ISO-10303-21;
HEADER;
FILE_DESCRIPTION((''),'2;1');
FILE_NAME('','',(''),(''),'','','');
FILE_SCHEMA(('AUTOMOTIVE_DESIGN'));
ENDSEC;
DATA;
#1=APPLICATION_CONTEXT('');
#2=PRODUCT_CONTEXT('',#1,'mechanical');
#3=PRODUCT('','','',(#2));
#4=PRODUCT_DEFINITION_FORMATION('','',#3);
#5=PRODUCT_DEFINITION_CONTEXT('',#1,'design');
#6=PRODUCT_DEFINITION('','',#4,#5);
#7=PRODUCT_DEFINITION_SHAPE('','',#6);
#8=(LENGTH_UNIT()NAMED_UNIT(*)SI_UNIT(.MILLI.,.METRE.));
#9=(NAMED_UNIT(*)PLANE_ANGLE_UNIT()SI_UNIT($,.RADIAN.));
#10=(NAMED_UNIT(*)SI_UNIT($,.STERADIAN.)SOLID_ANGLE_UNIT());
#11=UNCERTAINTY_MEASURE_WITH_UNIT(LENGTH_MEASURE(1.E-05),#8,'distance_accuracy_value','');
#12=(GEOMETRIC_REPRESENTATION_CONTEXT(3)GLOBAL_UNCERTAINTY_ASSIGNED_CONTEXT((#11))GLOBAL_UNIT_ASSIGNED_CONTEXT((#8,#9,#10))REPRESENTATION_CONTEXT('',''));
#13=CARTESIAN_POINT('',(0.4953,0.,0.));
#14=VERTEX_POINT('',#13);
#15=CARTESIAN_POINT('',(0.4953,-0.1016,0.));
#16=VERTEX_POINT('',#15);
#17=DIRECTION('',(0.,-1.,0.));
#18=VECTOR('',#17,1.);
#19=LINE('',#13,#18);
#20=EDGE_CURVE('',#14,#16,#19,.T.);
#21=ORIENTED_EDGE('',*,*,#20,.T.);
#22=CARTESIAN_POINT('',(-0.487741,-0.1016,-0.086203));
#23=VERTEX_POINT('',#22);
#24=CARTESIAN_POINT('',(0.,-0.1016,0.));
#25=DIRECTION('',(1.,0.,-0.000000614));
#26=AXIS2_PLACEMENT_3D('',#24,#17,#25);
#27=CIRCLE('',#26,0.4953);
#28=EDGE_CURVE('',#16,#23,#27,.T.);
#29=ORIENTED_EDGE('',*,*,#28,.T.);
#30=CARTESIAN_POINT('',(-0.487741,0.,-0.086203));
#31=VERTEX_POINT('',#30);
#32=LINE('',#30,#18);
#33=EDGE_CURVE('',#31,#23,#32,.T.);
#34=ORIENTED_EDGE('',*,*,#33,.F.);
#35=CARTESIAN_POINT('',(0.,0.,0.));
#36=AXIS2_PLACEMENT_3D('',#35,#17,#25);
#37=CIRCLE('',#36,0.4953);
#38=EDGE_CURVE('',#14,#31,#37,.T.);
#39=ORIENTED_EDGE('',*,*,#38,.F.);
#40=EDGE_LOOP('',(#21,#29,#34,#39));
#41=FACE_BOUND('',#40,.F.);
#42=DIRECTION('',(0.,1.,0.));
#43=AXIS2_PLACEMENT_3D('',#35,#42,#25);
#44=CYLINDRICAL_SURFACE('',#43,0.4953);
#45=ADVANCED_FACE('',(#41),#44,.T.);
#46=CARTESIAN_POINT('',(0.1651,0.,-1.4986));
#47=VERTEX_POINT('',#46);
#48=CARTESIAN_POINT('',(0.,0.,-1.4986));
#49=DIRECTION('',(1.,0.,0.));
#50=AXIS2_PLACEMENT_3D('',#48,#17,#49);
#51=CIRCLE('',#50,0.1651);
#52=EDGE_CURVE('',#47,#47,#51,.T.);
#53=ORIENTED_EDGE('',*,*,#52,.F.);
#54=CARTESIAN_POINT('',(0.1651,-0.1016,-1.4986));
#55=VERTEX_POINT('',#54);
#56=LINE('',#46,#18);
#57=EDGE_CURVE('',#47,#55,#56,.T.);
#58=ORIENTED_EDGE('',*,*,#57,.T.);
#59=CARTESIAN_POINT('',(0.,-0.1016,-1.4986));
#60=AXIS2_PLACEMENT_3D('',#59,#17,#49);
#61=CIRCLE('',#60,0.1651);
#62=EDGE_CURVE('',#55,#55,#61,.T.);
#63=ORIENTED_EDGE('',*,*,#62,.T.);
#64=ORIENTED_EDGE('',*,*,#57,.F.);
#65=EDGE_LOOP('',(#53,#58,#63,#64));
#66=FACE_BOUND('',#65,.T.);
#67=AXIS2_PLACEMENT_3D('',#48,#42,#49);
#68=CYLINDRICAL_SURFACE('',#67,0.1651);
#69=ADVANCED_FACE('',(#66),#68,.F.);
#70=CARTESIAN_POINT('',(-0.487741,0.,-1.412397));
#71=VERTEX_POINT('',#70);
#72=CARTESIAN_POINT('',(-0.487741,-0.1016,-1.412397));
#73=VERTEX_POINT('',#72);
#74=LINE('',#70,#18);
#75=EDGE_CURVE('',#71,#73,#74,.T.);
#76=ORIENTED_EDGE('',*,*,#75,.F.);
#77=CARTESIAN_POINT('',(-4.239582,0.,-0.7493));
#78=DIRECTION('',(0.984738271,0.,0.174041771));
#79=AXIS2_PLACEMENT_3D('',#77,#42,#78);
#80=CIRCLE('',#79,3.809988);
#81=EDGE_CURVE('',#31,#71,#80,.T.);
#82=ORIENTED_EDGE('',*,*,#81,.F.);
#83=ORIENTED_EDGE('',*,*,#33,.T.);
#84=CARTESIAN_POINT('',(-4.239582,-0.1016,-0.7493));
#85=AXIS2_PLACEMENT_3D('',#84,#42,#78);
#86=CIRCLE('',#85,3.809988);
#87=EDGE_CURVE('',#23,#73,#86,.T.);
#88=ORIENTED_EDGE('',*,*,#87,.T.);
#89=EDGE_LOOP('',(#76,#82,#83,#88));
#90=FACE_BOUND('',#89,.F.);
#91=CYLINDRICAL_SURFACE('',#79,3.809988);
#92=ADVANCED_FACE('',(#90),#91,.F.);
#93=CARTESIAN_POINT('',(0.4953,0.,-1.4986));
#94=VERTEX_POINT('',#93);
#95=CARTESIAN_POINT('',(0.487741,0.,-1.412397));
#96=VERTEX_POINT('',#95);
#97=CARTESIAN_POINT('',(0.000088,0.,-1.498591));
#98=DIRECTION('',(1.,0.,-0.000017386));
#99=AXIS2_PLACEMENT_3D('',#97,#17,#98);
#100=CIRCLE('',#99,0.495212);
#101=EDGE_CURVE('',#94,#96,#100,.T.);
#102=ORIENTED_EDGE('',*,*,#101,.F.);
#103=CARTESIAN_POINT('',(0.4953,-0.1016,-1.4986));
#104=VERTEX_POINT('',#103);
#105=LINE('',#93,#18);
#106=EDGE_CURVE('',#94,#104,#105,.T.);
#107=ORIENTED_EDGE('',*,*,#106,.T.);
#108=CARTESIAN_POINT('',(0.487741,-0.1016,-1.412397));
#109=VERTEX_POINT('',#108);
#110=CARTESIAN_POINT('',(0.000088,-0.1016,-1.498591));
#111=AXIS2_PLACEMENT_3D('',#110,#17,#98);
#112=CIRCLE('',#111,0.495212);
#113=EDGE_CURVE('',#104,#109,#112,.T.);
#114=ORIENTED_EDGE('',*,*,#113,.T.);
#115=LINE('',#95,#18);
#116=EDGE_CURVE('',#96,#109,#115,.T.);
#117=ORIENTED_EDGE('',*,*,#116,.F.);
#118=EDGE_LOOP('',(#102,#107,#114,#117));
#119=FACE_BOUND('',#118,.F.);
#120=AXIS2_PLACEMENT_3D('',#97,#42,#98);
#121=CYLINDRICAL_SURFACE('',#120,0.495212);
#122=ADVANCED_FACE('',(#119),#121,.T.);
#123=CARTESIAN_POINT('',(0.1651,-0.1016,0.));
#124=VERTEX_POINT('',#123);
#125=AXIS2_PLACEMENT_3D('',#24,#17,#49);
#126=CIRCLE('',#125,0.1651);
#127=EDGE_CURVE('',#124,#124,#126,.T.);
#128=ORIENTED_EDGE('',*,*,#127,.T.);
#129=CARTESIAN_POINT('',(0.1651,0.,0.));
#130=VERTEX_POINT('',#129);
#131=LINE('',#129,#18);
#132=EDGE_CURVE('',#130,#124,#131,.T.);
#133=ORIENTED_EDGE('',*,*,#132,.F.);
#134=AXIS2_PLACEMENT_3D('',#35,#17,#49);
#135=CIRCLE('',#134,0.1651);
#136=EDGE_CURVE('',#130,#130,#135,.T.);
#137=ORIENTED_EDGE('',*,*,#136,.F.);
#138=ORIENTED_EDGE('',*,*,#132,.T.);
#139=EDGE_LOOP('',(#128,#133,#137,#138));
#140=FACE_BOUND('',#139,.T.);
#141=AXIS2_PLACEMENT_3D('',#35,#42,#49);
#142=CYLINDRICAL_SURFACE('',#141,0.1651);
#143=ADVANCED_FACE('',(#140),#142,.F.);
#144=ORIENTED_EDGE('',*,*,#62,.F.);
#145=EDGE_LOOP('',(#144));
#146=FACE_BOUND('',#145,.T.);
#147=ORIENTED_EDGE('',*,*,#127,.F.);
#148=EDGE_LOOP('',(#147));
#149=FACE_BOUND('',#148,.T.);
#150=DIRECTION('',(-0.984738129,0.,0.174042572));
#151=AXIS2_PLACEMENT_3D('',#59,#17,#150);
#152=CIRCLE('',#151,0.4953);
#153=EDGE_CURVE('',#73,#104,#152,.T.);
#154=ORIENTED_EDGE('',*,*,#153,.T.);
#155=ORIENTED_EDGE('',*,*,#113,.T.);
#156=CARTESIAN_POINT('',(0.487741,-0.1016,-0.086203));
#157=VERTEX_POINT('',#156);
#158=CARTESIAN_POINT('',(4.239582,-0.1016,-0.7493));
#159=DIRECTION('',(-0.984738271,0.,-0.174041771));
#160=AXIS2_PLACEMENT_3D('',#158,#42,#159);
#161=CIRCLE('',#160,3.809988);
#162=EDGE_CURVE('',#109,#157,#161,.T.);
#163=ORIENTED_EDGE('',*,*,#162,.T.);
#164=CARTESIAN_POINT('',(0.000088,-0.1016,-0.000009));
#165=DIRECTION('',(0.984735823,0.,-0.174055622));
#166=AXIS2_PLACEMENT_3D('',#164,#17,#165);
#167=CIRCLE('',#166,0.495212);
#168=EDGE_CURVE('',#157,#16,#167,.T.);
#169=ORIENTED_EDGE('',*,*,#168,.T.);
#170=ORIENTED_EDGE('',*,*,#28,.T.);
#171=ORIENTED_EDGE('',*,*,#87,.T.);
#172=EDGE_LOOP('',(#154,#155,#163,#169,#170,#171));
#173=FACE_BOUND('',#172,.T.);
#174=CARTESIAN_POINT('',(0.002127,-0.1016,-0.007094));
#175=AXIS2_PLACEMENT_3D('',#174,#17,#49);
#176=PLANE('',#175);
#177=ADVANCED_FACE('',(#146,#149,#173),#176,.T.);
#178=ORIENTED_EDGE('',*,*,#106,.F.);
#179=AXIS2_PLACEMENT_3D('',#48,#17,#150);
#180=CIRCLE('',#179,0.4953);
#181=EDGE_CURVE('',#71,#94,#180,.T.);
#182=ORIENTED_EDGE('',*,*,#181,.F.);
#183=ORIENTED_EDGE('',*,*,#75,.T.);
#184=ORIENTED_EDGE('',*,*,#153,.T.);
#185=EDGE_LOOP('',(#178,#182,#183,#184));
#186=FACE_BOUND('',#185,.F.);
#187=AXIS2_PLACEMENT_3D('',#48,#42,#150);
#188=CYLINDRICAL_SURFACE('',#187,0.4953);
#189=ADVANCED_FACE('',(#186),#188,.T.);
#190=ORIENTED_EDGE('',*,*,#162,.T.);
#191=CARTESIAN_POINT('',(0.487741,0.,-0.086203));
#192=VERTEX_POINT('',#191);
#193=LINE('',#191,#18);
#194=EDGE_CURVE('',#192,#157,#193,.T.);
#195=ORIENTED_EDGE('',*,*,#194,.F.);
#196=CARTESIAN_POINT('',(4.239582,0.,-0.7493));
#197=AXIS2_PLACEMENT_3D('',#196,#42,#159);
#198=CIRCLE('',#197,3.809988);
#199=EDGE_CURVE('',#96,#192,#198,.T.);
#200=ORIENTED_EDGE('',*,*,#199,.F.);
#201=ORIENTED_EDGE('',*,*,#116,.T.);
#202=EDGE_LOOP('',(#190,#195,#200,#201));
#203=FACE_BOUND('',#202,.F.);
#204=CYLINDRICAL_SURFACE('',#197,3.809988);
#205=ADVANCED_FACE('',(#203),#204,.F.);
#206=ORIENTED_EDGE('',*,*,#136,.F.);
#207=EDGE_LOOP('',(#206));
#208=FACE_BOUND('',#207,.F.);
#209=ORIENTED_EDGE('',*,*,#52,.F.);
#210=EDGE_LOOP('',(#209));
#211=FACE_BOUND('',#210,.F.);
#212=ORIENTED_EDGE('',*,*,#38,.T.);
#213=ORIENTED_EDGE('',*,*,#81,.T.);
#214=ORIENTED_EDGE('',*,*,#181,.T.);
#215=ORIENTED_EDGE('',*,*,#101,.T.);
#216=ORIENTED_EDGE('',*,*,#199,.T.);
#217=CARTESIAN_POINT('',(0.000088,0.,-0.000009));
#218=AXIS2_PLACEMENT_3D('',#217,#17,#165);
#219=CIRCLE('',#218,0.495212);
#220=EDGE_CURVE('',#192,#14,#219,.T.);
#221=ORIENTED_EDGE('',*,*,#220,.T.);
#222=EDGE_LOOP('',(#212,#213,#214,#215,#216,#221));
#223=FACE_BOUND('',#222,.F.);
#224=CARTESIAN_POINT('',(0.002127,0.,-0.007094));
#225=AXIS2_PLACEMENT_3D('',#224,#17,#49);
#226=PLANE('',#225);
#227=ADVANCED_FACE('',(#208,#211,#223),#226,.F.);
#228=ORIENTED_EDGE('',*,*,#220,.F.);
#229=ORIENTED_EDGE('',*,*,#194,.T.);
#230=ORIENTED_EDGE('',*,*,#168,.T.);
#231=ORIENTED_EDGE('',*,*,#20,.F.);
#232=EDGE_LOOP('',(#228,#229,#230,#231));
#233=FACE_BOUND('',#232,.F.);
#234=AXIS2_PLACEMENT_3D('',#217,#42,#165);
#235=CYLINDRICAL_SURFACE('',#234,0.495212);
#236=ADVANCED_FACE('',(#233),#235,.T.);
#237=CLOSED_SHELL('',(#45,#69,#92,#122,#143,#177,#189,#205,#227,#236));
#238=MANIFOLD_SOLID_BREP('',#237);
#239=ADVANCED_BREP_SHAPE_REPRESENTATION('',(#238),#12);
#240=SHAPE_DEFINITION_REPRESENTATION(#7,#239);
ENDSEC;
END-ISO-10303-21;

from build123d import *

# Parameters (mm, degrees)
F0_R     = 0.1651
F1_DEPTH = 0.1016


with BuildPart() as f1:
    # F0 (on Front) → F1 (new body)
    with BuildSketch(Plane.XZ):
        with BuildLine():
            ThreePointArc((0.487741, -0.086203), (0.493407, -0.043267), (0.4953, 0))
            ThreePointArc((0.4953, 0), (-0.043267, 0.493407), (-0.487741, -0.086203))
            ThreePointArc((-0.487741, -0.086203), (0, -0.4953), (0.487741, -0.086203))
        make_face()
        Circle(F0_R, mode=Mode.SUBTRACT)
        with BuildLine():
            ThreePointArc((0.487741, -0.086203), (0, -0.4953), (-0.487741, -0.086203))
            ThreePointArc((-0.487741, -0.086203), (-0.429594, -0.7493), (-0.487741, -1.412397))
            ThreePointArc((-0.487741, -1.412397), (0, -1.0033), (0.487741, -1.412397))
            ThreePointArc((0.487741, -1.412397), (0.429594, -0.7493), (0.487741, -0.086203))
        make_face()
        with BuildLine():
            ThreePointArc((0.487741, -1.412397), (0, -1.0033), (-0.487741, -1.412397))
            ThreePointArc((-0.487741, -1.412397), (-0.043267, -1.992007), (0.4953, -1.4986))
            ThreePointArc((0.4953, -1.4986), (0.493407, -1.455333), (0.487741, -1.412397))
        make_face()
        with Locations((0, -1.4986)):
            Circle(F0_R, mode=Mode.SUBTRACT)
    extrude(amount=F1_DEPTH)


solid = f1.part
